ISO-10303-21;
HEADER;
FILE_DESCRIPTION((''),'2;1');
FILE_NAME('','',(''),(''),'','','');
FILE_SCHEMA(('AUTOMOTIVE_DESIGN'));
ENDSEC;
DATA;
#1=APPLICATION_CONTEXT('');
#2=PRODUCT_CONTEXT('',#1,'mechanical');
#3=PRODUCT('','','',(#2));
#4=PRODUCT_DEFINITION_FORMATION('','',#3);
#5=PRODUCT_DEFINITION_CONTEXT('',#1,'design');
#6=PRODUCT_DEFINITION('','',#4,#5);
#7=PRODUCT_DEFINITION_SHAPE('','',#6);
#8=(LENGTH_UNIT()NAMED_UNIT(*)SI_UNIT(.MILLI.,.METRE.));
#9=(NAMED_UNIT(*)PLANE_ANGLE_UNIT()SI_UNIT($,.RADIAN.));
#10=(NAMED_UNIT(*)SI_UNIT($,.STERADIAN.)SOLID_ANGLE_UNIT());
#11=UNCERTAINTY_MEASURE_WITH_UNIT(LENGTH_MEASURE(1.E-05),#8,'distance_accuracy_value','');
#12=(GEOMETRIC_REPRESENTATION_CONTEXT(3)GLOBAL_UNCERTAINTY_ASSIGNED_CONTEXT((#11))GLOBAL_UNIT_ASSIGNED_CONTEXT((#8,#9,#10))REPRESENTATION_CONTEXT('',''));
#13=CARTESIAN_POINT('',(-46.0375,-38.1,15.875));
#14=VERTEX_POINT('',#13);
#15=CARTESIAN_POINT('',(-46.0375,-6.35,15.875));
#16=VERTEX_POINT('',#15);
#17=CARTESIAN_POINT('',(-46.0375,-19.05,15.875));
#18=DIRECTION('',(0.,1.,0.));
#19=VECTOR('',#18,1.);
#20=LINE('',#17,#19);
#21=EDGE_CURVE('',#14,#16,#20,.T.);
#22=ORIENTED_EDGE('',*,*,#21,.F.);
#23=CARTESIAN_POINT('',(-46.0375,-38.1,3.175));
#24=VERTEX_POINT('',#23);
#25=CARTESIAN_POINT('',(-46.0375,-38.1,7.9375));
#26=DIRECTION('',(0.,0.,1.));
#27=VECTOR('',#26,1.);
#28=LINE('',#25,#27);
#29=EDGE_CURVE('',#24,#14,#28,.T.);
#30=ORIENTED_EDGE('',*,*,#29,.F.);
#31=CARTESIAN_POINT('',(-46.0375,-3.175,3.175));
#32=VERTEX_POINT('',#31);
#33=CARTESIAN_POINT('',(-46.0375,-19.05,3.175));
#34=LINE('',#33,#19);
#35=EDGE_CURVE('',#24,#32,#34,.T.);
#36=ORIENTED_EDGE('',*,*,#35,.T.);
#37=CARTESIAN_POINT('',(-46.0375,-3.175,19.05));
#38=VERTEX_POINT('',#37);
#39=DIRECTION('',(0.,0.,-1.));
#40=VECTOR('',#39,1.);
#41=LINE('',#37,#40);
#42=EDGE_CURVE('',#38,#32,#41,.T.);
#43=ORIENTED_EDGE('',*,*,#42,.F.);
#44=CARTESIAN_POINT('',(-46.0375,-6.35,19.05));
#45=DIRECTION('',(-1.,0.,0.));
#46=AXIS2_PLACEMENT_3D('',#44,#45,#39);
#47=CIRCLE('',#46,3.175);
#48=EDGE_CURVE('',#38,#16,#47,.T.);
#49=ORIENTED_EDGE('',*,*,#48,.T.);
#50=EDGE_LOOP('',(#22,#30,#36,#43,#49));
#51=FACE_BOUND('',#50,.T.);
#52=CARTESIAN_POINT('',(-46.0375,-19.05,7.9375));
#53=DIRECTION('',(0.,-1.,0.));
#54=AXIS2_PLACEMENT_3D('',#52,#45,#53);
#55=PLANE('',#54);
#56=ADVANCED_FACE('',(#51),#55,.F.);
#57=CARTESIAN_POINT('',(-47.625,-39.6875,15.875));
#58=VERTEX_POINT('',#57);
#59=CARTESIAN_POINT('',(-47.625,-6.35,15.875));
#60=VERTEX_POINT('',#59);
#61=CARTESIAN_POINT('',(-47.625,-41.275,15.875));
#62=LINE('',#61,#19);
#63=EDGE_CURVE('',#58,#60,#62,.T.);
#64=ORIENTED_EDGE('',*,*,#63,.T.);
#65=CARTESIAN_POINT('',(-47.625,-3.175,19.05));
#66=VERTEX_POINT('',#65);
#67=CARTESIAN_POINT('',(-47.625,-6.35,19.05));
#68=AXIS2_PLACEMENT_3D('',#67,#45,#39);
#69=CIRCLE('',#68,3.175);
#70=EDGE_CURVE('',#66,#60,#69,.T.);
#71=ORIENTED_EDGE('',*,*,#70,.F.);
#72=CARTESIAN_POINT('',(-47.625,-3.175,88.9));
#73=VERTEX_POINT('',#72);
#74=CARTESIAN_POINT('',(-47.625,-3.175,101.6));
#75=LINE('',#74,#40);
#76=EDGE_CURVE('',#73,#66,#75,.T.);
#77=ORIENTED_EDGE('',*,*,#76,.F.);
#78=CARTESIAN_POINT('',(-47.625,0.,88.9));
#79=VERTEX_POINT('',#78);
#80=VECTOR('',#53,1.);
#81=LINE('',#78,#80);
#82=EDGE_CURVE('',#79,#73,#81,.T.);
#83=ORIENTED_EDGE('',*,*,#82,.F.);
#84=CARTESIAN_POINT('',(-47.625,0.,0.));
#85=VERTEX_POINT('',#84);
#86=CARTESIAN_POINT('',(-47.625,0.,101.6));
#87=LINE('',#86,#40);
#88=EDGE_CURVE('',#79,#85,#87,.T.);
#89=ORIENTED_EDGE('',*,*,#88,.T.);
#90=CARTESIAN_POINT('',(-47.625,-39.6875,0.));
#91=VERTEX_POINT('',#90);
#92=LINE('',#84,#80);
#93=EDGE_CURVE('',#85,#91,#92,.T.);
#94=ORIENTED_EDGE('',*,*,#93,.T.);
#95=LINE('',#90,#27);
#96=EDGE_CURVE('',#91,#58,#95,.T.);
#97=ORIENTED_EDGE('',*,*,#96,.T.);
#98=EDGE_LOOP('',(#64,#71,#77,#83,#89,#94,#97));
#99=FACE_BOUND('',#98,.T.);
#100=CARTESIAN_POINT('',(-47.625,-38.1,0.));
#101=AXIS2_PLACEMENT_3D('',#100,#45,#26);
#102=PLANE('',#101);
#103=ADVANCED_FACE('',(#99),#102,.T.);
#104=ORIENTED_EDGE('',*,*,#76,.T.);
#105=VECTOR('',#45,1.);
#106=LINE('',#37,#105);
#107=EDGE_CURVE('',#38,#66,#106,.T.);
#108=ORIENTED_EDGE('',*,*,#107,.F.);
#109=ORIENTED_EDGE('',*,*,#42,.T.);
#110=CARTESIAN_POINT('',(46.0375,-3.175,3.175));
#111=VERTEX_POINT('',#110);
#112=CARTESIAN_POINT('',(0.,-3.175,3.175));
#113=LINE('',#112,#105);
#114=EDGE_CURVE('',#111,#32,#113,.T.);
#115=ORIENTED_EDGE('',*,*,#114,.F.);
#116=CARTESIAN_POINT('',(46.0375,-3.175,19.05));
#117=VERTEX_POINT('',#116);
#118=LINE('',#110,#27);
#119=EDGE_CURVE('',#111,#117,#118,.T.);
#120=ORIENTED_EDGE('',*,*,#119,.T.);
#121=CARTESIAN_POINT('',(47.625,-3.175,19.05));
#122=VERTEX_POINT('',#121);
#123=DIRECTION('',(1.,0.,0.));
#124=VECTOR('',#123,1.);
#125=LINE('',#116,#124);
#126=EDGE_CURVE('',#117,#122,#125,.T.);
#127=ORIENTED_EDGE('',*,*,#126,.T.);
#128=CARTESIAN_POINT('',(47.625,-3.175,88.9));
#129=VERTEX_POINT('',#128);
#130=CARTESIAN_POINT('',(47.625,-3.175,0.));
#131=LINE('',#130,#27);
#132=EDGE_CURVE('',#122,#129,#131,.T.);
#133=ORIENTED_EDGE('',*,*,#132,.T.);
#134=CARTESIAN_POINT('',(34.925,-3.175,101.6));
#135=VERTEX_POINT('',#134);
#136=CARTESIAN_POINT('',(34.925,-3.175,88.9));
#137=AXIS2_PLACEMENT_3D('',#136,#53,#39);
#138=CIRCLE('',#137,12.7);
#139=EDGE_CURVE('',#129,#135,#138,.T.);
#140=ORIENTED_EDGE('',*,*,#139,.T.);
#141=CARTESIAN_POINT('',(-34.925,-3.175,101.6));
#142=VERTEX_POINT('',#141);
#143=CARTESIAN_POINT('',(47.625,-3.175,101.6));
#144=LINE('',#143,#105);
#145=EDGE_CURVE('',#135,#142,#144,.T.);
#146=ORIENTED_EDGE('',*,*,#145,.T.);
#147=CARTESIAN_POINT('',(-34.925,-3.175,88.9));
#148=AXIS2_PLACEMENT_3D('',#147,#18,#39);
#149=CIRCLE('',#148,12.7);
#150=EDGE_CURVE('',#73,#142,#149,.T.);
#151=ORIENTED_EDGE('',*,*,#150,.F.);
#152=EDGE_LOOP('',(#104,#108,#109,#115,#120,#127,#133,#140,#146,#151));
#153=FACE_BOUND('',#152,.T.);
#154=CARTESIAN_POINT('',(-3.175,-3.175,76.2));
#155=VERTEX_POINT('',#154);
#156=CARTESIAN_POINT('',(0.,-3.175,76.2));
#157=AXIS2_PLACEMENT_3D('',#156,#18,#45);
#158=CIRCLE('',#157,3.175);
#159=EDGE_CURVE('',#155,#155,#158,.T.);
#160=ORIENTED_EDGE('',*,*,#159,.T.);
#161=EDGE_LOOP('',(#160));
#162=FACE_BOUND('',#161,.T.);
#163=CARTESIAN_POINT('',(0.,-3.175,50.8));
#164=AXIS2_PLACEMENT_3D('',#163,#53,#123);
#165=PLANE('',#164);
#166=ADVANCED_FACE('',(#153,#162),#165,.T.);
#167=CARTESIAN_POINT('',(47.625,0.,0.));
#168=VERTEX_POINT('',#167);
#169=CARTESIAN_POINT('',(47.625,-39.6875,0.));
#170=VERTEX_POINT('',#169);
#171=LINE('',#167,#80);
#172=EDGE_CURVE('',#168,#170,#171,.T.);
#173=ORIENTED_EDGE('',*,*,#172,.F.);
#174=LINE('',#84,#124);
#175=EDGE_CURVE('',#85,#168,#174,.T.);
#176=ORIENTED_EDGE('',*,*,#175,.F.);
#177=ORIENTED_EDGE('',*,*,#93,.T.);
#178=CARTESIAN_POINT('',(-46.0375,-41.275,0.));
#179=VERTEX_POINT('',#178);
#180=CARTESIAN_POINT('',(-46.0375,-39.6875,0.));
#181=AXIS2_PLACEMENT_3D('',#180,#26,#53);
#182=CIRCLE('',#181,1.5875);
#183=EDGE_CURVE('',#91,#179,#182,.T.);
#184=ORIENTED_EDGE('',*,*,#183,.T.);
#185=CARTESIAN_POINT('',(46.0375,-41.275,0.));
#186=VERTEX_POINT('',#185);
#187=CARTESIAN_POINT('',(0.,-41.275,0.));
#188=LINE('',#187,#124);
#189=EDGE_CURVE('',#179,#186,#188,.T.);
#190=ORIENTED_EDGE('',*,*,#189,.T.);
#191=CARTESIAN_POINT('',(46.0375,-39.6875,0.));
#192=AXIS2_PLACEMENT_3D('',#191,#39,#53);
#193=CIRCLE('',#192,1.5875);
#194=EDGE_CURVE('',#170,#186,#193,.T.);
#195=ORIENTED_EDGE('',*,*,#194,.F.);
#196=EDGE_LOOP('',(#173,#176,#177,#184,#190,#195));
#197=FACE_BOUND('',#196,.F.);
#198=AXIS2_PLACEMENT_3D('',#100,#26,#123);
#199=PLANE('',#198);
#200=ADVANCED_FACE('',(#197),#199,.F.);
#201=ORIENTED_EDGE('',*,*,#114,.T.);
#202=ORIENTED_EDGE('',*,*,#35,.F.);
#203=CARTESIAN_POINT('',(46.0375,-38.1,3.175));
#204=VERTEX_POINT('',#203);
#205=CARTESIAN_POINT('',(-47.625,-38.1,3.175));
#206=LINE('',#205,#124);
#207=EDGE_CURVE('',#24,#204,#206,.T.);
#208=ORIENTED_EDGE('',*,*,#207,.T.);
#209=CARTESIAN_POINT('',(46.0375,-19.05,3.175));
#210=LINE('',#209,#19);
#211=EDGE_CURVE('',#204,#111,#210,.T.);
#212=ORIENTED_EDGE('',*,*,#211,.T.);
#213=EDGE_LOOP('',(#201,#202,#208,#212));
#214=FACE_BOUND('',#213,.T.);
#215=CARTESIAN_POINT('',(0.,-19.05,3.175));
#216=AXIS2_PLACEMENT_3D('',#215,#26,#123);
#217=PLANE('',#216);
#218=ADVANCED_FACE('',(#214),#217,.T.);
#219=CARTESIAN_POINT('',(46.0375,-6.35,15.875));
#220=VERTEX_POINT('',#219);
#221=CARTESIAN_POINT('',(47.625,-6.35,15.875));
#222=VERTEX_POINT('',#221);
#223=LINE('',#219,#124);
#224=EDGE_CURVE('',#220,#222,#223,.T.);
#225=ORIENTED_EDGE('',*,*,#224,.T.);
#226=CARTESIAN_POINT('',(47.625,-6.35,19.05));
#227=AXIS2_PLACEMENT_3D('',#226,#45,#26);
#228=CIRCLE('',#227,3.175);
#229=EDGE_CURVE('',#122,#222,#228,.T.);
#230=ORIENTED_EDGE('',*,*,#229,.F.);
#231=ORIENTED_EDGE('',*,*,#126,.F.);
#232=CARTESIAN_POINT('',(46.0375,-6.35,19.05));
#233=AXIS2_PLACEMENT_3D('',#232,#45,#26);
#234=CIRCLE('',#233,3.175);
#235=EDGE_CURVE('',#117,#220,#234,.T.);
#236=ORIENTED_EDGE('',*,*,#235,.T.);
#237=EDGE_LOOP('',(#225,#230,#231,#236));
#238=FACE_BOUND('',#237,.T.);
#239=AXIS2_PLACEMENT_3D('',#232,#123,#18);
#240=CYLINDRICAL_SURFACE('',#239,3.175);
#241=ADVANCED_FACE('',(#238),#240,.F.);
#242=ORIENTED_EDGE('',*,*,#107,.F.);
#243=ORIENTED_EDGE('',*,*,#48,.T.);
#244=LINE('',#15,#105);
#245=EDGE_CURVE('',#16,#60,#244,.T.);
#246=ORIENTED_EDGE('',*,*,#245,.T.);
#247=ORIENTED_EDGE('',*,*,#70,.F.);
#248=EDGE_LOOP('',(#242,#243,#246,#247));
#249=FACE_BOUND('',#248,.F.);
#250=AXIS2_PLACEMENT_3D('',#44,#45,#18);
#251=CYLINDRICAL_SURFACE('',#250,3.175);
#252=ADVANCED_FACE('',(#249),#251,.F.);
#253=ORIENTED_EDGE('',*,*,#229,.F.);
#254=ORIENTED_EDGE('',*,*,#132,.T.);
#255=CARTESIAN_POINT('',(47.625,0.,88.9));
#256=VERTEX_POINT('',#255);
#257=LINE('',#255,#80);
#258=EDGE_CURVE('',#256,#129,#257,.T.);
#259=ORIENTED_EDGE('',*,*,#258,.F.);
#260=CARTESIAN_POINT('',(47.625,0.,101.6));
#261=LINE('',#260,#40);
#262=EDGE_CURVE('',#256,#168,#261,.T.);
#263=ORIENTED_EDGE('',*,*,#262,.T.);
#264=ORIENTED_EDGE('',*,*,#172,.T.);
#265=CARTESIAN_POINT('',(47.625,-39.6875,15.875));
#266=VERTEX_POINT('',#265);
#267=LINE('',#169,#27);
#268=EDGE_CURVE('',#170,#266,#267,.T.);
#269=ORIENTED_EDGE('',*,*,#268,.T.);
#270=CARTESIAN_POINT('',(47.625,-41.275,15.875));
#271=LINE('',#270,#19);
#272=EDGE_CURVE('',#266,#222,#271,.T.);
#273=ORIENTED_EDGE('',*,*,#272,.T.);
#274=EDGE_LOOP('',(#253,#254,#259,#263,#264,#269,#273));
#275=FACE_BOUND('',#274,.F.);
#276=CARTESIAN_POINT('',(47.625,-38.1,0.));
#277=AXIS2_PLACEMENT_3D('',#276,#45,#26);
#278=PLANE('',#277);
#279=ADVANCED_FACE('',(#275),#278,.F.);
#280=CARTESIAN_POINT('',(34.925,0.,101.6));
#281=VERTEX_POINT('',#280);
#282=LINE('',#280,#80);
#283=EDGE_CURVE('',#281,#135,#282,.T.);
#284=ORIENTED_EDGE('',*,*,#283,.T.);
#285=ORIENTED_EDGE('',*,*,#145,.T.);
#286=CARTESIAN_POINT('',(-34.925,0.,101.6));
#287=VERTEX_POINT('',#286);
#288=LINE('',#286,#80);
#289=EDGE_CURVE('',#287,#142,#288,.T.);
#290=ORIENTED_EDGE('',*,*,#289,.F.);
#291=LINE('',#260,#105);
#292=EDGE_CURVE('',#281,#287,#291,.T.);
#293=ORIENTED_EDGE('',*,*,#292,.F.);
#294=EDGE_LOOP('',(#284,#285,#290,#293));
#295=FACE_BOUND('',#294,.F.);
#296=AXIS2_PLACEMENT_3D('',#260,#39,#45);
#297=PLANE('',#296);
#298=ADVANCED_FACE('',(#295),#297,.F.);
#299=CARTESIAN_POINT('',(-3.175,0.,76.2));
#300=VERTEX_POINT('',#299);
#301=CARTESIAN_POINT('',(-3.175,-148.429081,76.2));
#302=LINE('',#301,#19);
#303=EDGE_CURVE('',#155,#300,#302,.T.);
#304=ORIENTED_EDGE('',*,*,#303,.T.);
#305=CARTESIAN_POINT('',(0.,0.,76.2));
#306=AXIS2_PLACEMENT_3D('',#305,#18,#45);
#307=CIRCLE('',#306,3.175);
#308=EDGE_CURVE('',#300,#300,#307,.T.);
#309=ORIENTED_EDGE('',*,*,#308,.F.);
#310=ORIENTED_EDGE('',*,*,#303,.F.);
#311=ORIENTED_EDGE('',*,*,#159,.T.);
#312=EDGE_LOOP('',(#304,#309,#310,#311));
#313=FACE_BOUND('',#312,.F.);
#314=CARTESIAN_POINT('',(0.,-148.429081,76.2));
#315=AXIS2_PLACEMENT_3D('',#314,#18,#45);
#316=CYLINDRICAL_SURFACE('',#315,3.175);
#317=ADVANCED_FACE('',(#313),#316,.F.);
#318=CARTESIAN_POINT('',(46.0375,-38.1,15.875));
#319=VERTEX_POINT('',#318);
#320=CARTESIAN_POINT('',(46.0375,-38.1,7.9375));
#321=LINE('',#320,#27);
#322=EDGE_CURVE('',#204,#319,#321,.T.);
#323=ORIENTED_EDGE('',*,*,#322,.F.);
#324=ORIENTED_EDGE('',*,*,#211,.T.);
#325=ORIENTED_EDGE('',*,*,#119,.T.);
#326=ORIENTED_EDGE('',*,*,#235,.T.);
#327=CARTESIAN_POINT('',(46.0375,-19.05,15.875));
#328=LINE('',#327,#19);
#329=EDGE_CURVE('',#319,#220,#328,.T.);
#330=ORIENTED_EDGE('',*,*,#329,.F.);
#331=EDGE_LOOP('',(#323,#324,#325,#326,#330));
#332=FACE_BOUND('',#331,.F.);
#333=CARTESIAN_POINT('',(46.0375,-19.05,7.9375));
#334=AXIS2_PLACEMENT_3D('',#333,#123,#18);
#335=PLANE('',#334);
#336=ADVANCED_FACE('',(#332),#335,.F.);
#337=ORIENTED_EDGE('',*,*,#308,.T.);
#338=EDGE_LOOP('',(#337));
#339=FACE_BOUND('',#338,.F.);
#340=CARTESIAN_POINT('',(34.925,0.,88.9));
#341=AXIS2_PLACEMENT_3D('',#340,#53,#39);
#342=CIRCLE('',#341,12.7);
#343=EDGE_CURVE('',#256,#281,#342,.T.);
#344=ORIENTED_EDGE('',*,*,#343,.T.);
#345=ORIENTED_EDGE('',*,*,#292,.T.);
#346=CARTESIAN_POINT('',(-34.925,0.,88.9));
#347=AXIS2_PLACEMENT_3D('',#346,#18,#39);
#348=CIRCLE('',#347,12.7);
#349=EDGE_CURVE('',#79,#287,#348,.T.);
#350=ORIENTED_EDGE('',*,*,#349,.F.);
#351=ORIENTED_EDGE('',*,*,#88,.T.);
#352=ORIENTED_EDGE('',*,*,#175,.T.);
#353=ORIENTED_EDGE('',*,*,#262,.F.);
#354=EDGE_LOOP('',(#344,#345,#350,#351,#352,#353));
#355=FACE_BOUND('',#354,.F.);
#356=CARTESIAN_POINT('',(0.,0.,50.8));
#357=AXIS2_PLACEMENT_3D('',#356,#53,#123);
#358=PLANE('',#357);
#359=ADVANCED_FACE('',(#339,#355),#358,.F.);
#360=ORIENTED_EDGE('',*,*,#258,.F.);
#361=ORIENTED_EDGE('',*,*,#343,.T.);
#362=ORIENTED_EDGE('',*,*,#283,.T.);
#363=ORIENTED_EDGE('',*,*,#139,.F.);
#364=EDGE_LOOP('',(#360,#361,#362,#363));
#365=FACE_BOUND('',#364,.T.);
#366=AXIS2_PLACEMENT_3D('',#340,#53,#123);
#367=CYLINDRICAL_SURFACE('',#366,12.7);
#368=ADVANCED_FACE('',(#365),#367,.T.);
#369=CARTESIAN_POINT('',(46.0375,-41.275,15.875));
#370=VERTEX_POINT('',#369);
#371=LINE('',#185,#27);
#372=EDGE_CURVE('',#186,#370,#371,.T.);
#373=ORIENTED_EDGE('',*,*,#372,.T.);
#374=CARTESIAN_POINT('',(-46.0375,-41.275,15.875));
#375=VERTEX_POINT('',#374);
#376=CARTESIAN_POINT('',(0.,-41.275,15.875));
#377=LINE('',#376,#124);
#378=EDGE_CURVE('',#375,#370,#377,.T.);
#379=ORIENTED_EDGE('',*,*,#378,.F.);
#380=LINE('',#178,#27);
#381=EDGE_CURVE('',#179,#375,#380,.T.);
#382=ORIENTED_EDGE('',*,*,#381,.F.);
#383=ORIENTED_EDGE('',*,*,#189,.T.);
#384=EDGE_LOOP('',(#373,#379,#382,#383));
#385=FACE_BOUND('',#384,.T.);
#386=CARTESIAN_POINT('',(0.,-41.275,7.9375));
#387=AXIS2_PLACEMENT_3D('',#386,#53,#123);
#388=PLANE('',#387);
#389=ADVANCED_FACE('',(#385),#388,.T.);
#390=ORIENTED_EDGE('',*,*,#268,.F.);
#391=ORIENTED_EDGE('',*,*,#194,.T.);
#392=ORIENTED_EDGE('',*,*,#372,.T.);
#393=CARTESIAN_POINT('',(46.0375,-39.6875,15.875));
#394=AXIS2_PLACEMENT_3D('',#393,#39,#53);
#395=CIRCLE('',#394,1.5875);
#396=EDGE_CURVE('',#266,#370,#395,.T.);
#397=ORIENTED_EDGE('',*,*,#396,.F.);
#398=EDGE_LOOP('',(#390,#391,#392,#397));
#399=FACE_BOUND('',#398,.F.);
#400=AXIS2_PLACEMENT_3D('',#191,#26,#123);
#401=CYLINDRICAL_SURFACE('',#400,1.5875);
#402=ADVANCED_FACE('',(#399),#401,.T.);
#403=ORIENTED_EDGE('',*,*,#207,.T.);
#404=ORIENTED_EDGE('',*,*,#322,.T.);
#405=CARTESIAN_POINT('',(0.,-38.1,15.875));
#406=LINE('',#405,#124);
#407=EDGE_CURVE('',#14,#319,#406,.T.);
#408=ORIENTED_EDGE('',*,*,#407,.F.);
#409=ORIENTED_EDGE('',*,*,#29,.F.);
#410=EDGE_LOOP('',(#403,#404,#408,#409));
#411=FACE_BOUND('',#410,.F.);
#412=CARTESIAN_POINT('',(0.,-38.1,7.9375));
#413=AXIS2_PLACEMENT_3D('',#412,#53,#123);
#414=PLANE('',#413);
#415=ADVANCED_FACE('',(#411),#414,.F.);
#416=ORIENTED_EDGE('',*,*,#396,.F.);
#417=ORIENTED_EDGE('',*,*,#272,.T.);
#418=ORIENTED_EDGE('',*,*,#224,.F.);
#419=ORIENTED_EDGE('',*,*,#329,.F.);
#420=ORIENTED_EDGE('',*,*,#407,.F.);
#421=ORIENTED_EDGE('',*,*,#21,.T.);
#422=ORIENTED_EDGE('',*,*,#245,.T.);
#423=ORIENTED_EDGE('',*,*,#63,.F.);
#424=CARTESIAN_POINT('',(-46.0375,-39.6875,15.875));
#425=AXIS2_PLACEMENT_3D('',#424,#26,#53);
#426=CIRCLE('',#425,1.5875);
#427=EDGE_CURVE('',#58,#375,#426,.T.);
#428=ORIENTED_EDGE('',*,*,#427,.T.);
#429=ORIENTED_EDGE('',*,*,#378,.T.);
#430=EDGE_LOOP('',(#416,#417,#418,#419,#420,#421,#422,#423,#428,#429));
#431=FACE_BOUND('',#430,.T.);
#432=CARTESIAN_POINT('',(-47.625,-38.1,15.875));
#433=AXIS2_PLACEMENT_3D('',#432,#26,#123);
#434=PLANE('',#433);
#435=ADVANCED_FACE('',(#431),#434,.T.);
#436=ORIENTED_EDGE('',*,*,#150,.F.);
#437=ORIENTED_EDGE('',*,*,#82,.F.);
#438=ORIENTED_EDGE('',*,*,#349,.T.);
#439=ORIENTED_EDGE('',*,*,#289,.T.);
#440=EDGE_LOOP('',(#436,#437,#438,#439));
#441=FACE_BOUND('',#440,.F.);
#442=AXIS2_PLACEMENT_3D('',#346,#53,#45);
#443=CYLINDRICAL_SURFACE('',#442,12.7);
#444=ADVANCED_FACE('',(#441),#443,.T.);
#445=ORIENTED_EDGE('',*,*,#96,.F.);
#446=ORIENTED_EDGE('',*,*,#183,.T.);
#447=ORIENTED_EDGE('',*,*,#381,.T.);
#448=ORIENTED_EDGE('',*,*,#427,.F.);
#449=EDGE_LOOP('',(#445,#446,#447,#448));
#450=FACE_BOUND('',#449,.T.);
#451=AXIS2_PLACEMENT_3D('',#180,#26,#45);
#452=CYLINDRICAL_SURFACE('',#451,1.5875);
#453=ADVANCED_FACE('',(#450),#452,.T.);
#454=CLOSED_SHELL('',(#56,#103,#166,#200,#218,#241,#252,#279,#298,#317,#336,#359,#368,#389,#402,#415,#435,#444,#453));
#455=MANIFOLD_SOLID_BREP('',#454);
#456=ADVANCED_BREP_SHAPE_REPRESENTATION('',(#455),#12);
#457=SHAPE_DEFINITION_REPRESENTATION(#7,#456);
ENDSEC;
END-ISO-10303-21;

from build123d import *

# Parameters (mm, degrees)
F1_DEPTH = 3.175
F3_DEPTH = 3.175
F4_W     = 38.1
F4_H     = 15.875
F5_DEPTH = 1.5875
F7_W     = 95.25
F7_H     = 15.875
F8_DEPTH = 3.175
F9_R     = 12.7
F11_D    = 6.35
F12_R    = 3.175
F13_R    = 1.5875


with BuildPart() as f1:
    # F0 (on Front) → F1 (new body)
    with BuildSketch(Plane.XZ):
        Polygon((-47.625, 0), (0, 0), (47.625, 0), (47.625, 101.6), (0, 101.6), (-47.625, 101.6), align=None)
    extrude(amount=F1_DEPTH)

    # F2 (on Top) → F3 (join)
    with BuildSketch(Plane.XY):
        Polygon((47.625, 0), (0, 0), (-47.625, 0), (-47.625, -38.1), (0, -38.1), (47.625, -38.1), align=None)
    extrude(amount=F3_DEPTH)

    # F4 (on face) → F5 (join)
    with BuildSketch(Plane.YZ.offset(47.625)):
        with Locations((-19.05, 7.9375)):
            Rectangle(F4_W, F4_H)
    extrude(amount=-F5_DEPTH)

    # F6: F1 across plane


with BuildPart() as f1_1:
    add(f1.part)
    add(f1.part.mirror(Plane.YZ))

    # F7 (on face) → F8 (join)
    with BuildSketch(Plane.XZ.offset(38.1)):
        with Locations((0, 7.9375)):
            Rectangle(F7_W, F7_H)
    extrude(amount=F8_DEPTH)

    # F9
    f9_edges = [f1_1.edges().sort_by_distance(p)[0] for p in [
        (47.625, -1.5875, 101.6),
        (-47.625, -1.5875, 101.6),
    ]]
    fillet(f9_edges, radius=F9_R)

    # F11 (through all)
    with Locations(Plane.XZ.offset(3.175)):
        with Locations((0, 76.2)):
            Hole(F11_D / 2)

    # F12
    f12_edges = [f1_1.edges().sort_by_distance(p)[0] for p in [
        (-46.83125, -3.175, 15.875),
        (46.83125, -3.175, 15.875),
    ]]
    fillet(f12_edges, radius=F12_R)

    # F13
    f13_edges = [f1_1.edges().sort_by_distance(p)[0] for p in [
        (-47.625, -41.275, 7.9375),
        (47.625, -41.275, 7.9375),
    ]]
    fillet(f13_edges, radius=F13_R)


solid = f1_1.part
